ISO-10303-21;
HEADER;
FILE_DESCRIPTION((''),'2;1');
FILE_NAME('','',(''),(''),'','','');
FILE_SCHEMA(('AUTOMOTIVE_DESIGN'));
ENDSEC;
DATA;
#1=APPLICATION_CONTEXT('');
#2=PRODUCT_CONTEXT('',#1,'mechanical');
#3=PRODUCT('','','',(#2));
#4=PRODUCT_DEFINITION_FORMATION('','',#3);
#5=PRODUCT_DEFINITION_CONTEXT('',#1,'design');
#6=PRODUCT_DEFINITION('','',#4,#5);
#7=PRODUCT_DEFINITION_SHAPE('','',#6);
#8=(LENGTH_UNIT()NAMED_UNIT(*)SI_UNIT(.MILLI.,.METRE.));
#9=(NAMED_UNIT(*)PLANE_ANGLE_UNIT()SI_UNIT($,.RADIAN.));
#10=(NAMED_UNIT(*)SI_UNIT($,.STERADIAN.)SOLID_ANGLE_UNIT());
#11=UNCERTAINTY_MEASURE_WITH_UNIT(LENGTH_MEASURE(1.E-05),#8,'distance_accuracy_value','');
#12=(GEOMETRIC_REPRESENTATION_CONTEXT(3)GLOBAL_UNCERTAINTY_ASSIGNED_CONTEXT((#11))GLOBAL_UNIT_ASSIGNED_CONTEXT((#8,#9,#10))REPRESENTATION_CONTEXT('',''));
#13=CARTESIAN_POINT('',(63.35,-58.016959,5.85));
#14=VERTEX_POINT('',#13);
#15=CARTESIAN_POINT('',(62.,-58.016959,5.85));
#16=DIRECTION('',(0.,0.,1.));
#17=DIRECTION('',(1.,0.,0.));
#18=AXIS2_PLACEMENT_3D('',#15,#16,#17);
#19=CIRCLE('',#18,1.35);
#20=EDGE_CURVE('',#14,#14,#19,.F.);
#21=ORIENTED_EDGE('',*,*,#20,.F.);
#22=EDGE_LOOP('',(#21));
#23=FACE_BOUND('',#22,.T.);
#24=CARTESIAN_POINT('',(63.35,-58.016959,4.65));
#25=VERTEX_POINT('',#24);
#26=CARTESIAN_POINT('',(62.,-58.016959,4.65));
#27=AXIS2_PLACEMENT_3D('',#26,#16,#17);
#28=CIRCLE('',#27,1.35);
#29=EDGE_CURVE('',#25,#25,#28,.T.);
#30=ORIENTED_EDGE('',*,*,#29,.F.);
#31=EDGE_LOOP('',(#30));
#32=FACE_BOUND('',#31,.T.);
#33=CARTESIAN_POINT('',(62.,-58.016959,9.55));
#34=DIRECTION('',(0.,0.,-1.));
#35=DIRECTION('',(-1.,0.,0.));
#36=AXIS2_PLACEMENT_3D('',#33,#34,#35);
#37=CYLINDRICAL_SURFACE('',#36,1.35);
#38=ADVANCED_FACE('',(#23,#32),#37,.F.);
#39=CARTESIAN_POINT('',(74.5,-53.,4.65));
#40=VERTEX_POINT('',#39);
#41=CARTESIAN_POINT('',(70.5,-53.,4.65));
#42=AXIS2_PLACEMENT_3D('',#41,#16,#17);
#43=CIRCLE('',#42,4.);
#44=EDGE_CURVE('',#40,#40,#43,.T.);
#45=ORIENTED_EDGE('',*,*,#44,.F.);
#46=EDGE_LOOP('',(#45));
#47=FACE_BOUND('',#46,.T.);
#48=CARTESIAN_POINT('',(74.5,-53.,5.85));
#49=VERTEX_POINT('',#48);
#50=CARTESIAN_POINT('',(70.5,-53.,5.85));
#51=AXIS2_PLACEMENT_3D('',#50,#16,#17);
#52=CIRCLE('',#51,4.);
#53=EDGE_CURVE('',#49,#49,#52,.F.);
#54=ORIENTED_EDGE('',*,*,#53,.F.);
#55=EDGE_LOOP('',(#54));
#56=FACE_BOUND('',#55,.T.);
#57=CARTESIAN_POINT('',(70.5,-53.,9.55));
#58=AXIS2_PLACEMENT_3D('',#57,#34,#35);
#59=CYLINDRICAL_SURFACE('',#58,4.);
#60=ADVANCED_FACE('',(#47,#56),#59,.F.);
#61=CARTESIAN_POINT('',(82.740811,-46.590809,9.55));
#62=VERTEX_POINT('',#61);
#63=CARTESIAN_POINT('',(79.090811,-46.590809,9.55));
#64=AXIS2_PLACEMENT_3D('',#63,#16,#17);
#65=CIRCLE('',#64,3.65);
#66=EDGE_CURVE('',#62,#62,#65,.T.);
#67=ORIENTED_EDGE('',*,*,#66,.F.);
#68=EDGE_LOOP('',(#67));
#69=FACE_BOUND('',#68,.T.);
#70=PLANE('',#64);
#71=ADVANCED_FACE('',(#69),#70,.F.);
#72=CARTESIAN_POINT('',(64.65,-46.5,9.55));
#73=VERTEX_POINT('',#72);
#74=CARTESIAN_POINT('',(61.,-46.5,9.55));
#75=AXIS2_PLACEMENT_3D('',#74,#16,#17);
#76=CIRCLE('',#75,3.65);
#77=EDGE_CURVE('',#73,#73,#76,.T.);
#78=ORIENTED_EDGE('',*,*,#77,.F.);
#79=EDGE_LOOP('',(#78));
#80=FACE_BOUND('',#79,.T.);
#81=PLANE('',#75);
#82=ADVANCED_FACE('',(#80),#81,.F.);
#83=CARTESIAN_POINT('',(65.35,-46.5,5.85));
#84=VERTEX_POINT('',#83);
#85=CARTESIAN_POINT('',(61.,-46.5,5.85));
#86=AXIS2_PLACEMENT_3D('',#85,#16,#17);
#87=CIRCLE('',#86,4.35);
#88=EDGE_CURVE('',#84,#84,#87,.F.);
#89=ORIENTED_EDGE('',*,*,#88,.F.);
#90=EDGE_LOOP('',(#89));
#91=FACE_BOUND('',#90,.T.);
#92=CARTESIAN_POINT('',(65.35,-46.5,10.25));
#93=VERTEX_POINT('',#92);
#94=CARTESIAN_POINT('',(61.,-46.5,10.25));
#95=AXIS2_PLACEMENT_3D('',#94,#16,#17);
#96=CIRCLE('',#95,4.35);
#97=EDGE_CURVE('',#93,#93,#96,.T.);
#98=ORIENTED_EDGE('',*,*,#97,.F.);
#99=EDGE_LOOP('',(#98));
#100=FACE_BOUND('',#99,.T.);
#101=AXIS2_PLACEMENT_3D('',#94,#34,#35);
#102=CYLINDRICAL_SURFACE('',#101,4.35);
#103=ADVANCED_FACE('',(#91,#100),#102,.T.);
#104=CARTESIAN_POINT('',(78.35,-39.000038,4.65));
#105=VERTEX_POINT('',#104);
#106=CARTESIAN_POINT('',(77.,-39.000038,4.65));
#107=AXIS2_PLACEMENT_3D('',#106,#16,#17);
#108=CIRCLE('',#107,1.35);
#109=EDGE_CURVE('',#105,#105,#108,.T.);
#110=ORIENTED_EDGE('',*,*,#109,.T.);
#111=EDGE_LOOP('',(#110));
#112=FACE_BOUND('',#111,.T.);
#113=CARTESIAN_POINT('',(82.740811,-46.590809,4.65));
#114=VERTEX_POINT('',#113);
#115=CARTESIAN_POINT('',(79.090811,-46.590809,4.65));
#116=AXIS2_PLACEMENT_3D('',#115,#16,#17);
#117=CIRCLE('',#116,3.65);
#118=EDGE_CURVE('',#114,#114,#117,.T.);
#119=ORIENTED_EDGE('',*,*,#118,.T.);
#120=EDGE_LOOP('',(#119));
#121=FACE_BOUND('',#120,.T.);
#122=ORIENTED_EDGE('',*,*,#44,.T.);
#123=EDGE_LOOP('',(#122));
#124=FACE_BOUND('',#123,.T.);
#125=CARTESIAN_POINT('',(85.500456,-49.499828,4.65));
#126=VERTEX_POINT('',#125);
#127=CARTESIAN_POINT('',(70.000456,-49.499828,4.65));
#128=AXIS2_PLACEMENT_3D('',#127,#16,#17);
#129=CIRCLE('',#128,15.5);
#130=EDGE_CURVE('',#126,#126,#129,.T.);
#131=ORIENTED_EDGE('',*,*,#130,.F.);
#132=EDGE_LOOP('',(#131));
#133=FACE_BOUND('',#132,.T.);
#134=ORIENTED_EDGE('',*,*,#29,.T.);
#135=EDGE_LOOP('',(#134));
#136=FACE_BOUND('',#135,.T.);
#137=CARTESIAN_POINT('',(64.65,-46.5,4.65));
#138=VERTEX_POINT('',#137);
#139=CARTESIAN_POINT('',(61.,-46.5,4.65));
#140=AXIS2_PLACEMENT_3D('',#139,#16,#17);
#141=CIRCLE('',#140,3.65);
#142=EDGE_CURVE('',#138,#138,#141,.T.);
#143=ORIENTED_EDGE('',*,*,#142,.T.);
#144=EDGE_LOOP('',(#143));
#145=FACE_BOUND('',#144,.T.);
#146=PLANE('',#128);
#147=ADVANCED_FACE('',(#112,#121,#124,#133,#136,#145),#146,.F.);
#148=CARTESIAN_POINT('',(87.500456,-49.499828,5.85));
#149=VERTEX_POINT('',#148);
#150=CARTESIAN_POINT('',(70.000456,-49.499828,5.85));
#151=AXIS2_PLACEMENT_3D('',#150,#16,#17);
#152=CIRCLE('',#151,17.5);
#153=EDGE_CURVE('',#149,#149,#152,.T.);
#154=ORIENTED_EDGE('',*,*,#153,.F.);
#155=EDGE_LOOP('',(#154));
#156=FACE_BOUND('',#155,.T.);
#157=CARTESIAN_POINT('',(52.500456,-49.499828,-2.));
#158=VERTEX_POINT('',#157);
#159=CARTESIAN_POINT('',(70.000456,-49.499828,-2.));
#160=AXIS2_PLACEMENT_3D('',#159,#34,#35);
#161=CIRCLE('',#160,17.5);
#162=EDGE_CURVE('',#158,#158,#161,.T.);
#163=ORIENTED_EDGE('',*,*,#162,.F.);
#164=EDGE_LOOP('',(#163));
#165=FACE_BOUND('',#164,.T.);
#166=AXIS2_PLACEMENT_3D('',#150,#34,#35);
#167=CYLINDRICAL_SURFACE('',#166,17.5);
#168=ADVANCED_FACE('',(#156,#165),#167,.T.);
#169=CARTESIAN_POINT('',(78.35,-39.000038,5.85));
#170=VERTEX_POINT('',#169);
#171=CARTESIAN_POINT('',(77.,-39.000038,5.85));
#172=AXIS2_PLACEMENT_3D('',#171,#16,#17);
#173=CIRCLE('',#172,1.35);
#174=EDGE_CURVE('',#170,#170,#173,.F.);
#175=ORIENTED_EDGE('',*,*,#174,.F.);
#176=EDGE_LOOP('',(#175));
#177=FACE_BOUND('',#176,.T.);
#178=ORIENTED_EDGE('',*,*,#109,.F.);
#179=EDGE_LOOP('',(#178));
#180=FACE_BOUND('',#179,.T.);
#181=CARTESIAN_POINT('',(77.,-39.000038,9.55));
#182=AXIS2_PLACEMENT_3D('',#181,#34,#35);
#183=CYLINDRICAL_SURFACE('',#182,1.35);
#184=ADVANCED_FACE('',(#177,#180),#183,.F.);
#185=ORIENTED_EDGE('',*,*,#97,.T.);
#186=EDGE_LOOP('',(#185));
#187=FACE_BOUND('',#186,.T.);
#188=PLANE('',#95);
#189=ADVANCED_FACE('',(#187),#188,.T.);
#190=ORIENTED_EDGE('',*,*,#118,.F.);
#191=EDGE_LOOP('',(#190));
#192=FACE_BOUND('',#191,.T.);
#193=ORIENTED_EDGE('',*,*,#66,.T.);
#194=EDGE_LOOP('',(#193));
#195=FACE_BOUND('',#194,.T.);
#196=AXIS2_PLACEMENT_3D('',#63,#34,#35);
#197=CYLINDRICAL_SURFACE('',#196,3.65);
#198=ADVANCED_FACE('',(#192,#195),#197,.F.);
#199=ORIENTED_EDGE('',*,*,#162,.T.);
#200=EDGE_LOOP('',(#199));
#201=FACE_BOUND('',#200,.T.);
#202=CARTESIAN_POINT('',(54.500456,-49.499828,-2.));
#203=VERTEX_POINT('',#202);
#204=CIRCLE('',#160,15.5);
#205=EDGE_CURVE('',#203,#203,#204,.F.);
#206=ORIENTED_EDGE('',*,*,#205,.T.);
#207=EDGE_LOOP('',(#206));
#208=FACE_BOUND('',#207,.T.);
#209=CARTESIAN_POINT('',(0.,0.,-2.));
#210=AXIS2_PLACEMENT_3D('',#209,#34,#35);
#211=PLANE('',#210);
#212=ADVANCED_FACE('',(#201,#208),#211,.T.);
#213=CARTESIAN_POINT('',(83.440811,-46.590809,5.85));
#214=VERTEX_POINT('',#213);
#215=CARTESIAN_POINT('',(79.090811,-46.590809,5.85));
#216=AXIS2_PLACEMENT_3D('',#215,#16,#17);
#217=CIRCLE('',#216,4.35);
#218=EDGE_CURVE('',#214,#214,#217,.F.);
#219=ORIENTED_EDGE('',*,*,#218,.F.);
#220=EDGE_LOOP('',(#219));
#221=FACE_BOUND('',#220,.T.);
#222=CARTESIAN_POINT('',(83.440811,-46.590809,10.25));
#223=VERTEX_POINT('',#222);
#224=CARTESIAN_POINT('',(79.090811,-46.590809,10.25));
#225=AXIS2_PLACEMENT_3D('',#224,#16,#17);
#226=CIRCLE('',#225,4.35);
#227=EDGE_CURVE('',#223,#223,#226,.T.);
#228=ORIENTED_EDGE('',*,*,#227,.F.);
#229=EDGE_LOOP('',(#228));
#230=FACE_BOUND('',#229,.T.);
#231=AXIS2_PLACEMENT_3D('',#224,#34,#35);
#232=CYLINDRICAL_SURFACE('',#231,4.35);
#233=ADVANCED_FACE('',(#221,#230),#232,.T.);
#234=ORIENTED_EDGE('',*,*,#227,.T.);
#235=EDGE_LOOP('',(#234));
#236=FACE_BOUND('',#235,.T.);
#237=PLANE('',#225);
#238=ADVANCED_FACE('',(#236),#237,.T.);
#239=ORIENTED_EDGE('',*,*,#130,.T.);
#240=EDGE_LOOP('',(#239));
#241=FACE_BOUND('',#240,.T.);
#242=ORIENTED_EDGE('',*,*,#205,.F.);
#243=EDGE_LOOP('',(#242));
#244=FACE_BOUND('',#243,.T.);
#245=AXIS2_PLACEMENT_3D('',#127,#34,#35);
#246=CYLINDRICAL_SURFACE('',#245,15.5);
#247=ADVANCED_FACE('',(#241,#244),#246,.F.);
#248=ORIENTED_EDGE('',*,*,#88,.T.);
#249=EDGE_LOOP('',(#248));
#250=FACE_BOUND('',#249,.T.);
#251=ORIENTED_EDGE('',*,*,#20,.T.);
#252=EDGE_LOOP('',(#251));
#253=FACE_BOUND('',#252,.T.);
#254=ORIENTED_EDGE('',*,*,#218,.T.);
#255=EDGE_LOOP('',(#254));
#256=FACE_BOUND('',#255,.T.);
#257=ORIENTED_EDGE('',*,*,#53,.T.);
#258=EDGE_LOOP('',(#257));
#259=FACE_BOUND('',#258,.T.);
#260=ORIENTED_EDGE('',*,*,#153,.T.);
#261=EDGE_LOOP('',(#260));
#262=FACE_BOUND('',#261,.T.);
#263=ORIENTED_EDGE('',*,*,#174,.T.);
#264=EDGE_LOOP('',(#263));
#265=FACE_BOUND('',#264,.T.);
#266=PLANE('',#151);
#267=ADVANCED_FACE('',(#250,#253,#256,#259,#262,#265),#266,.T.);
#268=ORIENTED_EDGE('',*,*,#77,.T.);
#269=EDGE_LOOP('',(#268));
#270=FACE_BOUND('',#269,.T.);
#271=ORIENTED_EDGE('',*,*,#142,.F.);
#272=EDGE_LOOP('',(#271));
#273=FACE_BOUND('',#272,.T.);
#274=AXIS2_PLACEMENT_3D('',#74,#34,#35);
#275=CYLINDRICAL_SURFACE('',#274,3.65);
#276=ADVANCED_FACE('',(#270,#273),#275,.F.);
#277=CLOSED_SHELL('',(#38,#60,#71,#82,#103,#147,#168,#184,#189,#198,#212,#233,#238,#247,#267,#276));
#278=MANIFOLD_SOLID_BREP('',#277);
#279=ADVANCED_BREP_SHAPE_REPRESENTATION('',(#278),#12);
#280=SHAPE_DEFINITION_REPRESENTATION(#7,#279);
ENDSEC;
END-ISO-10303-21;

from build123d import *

# Parameters (mm, degrees)
SKETCH5_R           = 17.5
BOSS_EXTRUDE1_DEPTH = 5.85
SKETCH8_R           = 4.35
BOSS_EXTRUDE2_DEPTH = 10.25
SKETCH13_R          = 4
SKETCH13_R_2        = 1.35
SKETCH13_R_3        = 3.65
CUT_EXTRUDE1_DEPTH  = 9.55
SKETCH14_R          = 15.5
CUT_EXTRUDE2_DEPTH  = 4.65
BOSS_EXTRUDE3_START = 2
SKETCH15_R          = 17.5
BOSS_EXTRUDE3_DEPTH = 2


with BuildPart() as part:
    # Sketch5 → Boss-Extrude1 (new body)
    with BuildSketch(Plane.XY):
        with Locations((70.000455679, -49.499827976)):
            Circle(SKETCH5_R)
    extrude(amount=BOSS_EXTRUDE1_DEPTH)

    # Sketch8 → Boss-Extrude2 (add)
    with BuildSketch(Plane.XY):
        with Locations((79.090811, -46.590809)):
            Circle(SKETCH8_R)
        with Locations((61, -46.5)):
            Circle(SKETCH8_R)
    extrude(amount=BOSS_EXTRUDE2_DEPTH)

    # Sketch13 → Cut-Extrude1 (cut)
    with BuildSketch(Plane.XY):
        with Locations((70.5, -53)):
            Circle(SKETCH13_R)
        with Locations((77, -39.000037614)):
            Circle(SKETCH13_R_2)
        with Locations((62, -58.016959066)):
            Circle(SKETCH13_R_2)
        with Locations((79.090811, -46.590809)):
            Circle(SKETCH13_R_3)
        with Locations((61, -46.5)):
            Circle(SKETCH13_R_3)
    extrude(amount=CUT_EXTRUDE1_DEPTH, mode=Mode.SUBTRACT)

    # Sketch14 → Cut-Extrude2 (cut)
    with BuildSketch(Plane.XY):
        with Locations((70.000455679, -49.499827976)):
            Circle(SKETCH14_R)
    extrude(amount=CUT_EXTRUDE2_DEPTH, mode=Mode.SUBTRACT)

    # Sketch15 → Boss-Extrude3 (add)
    with BuildSketch(Plane(origin=(0, 0, 0), x_dir=(1, 0, 0), z_dir=(0, 0, -1)).offset(BOSS_EXTRUDE3_START)):
        with Locations((70.000455679, 49.499827976)):
            Circle(SKETCH15_R)
        with BuildLine():
            ThreePointArc((85.500455679, 49.499827976), (82.293609036, 40.059045139), (74.000019478, 34.524732336))
            ThreePointArc((74.000019478, 34.524732336), (70.000004184, 33.999827982), (66.000019478, 34.524965365))
            ThreePointArc((66.000019478, 34.524965365), (60.560030931, 61.793256324), (85.500455679, 49.499827976))
        make_face(mode=Mode.SUBTRACT)
    extrude(amount=-BOSS_EXTRUDE3_DEPTH)


solid = part.part
